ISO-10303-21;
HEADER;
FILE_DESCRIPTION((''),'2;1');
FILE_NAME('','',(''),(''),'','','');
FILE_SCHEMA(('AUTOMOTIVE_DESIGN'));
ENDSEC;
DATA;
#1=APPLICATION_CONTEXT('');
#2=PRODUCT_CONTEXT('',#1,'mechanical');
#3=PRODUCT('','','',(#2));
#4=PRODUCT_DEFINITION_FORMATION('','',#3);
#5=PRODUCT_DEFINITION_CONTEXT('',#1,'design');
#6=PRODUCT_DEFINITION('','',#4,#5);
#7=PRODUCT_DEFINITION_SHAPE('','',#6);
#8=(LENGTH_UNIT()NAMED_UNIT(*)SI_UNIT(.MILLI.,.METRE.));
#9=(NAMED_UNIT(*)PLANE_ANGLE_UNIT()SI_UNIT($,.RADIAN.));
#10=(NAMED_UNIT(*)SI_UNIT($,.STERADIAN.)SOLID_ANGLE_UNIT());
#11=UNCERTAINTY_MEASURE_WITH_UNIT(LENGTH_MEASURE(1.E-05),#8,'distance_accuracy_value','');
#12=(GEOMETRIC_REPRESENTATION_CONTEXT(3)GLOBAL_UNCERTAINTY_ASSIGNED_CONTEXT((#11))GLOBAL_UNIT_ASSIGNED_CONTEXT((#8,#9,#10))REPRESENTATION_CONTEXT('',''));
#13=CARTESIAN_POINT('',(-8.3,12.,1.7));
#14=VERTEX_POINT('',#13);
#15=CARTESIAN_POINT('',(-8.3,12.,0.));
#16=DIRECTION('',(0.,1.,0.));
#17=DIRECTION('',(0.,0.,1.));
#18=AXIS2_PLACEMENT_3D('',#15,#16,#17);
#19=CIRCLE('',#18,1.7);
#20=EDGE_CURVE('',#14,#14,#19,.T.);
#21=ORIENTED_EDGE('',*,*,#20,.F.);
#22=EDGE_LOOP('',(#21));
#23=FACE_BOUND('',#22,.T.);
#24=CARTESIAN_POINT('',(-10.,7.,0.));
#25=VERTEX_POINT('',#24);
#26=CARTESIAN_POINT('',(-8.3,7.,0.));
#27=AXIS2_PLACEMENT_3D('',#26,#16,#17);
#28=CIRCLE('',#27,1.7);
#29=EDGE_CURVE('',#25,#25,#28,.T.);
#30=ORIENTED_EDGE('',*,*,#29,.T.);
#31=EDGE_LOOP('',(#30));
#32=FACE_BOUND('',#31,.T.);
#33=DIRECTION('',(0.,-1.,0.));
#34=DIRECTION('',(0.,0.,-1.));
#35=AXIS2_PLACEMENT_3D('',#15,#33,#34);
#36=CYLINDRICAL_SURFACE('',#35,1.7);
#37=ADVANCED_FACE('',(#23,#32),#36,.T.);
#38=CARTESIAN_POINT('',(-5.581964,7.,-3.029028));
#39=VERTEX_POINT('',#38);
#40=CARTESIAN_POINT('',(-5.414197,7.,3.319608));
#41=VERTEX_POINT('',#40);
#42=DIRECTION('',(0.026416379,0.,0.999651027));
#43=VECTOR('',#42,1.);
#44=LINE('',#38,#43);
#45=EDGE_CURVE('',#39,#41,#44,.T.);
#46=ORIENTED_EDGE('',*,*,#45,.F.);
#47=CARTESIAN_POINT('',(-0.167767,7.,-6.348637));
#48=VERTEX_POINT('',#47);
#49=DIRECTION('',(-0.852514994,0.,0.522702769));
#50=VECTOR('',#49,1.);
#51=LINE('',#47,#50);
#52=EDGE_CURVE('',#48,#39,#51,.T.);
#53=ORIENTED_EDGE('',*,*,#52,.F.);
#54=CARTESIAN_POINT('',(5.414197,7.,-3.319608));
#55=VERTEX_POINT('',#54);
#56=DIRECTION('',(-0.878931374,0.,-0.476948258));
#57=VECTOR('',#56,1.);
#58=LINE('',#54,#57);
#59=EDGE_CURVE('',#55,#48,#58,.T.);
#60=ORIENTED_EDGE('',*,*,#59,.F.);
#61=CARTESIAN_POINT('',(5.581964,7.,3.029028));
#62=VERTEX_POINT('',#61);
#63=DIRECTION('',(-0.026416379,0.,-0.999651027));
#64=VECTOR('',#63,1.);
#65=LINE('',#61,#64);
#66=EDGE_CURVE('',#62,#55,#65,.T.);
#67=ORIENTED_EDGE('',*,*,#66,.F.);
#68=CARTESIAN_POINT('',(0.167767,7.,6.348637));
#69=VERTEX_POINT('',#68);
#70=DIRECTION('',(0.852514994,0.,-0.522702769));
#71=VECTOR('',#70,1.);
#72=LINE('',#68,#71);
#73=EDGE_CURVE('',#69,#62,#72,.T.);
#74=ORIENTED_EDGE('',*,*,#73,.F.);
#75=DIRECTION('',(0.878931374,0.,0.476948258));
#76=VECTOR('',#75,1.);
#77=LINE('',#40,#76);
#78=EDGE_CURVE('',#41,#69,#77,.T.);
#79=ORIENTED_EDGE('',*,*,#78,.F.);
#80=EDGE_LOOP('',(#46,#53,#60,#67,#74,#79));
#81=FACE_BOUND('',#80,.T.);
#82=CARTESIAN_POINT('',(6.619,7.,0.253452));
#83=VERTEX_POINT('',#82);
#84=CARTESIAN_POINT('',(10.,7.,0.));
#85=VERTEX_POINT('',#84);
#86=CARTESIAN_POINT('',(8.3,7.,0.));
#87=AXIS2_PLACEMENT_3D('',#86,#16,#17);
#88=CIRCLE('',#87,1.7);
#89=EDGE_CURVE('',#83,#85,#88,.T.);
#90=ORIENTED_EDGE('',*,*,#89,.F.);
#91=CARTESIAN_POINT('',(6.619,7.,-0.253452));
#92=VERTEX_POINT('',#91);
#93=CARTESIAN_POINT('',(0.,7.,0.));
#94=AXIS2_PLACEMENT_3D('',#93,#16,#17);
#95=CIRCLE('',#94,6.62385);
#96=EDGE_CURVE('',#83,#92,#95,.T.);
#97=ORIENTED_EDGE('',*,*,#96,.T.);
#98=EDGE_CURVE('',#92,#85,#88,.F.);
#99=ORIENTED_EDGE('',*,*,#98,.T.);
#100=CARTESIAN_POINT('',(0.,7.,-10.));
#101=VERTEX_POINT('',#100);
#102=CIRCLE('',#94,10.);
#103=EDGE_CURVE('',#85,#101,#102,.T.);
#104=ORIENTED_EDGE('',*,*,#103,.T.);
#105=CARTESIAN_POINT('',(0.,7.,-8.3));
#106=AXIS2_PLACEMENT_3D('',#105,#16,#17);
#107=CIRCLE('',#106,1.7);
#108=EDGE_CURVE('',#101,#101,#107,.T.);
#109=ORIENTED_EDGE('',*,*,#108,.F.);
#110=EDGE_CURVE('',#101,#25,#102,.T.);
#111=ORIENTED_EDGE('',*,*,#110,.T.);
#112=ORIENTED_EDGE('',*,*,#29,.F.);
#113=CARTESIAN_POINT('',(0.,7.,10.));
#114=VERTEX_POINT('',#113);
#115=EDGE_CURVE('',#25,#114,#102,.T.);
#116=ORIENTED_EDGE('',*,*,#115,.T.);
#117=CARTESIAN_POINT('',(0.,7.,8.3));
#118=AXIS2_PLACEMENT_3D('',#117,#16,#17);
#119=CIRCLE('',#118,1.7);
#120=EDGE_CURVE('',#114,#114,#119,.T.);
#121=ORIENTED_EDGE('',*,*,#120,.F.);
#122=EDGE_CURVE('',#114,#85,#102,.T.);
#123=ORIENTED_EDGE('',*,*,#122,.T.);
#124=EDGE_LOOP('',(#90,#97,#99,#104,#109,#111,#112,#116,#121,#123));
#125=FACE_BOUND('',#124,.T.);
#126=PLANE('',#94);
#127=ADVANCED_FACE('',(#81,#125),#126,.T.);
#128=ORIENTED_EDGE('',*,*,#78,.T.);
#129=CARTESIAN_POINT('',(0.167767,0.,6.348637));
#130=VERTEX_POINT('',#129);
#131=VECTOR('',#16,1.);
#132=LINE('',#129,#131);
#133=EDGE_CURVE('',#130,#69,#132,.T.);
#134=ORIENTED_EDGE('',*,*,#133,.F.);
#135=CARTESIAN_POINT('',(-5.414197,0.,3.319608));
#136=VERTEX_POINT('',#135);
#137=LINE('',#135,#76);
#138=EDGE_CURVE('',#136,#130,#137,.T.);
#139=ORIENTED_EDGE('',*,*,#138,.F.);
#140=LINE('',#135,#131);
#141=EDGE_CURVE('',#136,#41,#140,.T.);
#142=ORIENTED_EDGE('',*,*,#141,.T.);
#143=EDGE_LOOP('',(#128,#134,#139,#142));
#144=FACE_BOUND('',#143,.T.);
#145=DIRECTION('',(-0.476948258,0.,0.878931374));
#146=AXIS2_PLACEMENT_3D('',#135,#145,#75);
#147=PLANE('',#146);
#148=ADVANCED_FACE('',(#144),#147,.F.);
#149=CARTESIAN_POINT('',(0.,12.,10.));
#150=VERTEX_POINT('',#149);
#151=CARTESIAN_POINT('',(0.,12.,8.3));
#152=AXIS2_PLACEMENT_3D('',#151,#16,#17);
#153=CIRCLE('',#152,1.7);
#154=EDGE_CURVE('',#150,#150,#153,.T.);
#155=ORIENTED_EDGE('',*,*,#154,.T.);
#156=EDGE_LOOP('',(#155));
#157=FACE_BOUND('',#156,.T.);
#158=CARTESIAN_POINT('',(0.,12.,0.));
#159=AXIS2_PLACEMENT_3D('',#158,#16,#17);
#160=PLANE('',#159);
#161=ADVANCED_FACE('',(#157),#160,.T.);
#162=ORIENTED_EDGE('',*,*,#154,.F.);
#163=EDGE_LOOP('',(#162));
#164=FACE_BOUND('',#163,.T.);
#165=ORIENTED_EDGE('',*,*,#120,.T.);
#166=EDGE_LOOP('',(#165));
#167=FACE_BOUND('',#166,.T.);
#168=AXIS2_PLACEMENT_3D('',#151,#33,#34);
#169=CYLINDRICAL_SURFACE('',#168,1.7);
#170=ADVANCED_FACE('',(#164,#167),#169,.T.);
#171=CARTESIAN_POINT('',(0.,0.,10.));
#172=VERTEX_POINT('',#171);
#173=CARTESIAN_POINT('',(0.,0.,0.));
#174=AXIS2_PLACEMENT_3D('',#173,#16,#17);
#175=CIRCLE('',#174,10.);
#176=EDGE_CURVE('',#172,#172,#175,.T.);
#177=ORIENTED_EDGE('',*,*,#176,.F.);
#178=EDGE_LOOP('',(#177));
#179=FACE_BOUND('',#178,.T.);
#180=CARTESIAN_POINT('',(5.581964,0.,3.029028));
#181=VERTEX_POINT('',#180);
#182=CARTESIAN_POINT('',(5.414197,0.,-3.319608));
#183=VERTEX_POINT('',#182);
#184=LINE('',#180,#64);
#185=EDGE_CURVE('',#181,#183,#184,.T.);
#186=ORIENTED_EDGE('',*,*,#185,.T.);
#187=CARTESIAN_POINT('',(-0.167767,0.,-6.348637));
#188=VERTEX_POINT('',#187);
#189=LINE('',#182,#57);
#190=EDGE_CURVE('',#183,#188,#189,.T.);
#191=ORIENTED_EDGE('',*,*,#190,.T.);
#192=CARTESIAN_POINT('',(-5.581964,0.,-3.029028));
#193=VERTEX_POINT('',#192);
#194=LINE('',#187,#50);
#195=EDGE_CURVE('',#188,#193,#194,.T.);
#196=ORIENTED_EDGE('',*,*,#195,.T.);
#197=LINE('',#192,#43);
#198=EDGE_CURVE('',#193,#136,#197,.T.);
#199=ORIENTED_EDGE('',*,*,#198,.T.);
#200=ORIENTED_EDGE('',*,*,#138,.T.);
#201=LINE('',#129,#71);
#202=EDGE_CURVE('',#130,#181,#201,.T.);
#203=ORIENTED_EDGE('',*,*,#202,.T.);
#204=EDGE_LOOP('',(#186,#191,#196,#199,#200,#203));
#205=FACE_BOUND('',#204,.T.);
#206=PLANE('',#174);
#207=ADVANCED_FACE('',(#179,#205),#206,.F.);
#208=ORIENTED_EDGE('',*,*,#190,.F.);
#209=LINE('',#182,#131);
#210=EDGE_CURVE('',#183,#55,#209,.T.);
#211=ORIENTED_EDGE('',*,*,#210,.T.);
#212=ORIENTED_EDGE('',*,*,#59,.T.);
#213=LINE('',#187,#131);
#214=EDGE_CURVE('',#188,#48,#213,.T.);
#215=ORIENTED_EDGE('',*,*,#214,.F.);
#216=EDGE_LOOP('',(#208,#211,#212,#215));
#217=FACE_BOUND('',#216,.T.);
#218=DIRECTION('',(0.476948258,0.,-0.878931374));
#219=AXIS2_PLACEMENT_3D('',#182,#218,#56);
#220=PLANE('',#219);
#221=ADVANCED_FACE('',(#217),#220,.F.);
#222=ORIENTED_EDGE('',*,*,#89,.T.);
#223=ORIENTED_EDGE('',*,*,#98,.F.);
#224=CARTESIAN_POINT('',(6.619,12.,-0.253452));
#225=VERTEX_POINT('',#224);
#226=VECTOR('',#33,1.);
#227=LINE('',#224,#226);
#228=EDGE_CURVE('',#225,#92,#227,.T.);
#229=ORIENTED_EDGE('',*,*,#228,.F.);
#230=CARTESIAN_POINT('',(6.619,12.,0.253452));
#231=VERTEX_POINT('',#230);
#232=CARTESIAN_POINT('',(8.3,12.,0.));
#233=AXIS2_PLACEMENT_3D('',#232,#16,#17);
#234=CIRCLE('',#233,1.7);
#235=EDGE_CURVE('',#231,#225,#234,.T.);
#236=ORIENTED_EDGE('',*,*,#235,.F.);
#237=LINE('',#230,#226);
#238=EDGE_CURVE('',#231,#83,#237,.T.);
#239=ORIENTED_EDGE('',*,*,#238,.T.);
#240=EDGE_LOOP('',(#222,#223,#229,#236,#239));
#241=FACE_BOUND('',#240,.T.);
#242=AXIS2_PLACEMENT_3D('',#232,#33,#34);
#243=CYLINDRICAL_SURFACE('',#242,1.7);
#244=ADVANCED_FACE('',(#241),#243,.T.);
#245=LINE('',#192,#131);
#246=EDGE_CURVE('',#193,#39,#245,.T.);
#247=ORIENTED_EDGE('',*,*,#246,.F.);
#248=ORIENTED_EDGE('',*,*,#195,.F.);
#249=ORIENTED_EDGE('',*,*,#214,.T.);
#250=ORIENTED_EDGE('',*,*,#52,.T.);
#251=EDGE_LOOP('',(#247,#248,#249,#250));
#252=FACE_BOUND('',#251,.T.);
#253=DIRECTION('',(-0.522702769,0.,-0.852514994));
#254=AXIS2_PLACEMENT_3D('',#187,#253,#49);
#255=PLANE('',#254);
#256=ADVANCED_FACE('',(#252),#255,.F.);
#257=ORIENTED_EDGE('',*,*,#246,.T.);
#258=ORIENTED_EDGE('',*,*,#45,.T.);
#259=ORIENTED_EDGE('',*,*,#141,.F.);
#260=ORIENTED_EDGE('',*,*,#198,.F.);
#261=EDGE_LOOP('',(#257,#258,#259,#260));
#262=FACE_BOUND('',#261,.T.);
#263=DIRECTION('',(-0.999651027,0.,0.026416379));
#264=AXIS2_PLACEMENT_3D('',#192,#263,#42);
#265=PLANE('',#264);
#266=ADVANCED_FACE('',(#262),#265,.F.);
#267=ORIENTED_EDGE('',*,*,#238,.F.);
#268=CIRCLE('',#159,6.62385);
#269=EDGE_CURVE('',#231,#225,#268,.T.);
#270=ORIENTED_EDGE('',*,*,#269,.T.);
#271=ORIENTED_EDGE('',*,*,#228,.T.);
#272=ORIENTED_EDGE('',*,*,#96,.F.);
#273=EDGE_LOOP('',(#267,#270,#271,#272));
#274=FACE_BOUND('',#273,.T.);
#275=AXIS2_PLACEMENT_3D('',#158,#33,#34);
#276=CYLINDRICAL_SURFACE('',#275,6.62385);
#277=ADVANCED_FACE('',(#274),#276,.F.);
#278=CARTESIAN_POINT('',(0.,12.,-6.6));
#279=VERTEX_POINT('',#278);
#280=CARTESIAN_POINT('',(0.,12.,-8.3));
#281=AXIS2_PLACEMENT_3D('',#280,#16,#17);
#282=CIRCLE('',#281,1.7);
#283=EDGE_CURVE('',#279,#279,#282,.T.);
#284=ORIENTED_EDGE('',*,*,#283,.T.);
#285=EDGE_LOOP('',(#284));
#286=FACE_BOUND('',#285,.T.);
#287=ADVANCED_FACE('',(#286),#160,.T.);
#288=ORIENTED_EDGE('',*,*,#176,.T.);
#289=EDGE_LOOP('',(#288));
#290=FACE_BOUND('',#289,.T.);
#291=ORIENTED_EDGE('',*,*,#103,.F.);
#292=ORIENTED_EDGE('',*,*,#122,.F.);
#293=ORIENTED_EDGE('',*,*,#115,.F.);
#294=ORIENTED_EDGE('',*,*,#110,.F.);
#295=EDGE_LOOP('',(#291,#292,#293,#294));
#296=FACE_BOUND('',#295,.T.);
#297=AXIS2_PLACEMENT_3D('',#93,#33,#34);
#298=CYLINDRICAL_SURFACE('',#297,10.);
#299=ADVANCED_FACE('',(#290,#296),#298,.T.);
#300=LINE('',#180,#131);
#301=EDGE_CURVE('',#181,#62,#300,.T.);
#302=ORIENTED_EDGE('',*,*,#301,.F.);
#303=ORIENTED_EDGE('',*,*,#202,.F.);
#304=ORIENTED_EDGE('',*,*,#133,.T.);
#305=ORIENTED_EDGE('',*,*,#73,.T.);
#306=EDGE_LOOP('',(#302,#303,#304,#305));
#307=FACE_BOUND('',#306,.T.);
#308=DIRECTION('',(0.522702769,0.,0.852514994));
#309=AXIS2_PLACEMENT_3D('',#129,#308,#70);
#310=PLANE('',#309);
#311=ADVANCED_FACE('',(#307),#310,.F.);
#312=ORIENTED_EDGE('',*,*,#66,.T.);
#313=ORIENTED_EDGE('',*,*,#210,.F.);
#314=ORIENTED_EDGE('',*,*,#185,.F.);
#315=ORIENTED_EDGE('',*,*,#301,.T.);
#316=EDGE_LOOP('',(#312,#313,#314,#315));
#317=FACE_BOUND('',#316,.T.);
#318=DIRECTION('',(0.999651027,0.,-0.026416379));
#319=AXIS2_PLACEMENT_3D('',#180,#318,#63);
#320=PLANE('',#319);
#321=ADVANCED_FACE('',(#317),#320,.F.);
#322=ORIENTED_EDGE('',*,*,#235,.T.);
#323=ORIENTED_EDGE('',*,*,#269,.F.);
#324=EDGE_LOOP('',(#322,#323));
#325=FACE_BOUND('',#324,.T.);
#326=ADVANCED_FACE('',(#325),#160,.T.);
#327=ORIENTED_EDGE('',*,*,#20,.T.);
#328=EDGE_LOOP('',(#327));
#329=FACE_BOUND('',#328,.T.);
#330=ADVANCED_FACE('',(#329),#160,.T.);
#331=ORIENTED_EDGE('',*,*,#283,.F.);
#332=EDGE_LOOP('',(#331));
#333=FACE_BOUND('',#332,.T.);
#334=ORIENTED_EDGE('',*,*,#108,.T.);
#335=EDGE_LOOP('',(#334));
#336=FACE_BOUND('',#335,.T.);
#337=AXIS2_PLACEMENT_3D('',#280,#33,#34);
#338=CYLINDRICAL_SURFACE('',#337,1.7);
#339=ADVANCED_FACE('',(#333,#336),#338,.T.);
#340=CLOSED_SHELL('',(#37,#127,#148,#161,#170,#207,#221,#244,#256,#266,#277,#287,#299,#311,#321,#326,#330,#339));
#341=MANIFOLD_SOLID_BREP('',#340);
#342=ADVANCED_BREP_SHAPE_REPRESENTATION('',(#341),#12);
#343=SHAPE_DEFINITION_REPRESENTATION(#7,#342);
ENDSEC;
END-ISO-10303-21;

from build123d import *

# Parameters (mm, degrees)
SKETCH_1_R          = 10
EXTRUDE_1_DEPTH     = 7
SKETCH_2_R          = 1.7
EXTRUDE_2_DEPTH     = 5
CUT_EXTRUDE_1_DEPTH = 7


with BuildPart() as part:
    # 草图1 → 凸台-拉伸1 (new body)
    with BuildSketch(Plane(origin=(0, 0, 0), x_dir=(1, 0, 0), z_dir=(0, 1, 0))):
        with Locations(Location((0, 0, 0), (0, 0, 270))):
            Circle(SKETCH_1_R)
    extrude(amount=EXTRUDE_1_DEPTH)

    # 草图2 → 凸台-拉伸2 (add)
    with BuildSketch(Plane(origin=(0, 7, 0), x_dir=(1, 0, 0), z_dir=(0, 1, 0))):
        with BuildLine():
            ThreePointArc((6.618999669, 0.253451944), (6.623850429, 0), (6.618999669, -0.253451944))
            ThreePointArc((6.618999669, -0.253451944), (10, 0), (6.618999669, 0.253451944))
        make_face()
        with Locations(Location((0, 8.3, 0), (0, 0, 89.999317856))):
            Circle(SKETCH_2_R)
        with Locations(Location((0, -8.3, 0), (0, 0, 269.999317859))):
            Circle(SKETCH_2_R)
        with Locations(Location((-8.3, 0, 0), (0, 0, 179.999317857))):
            Circle(SKETCH_2_R)
    extrude(amount=EXTRUDE_2_DEPTH)

    # 草图3 → 切除-拉伸1 (cut)
    with BuildSketch(Plane(origin=(0, 7, 0), x_dir=(1, 0, 0), z_dir=(0, 1, 0))):
        Polygon((-5.581963916, 3.029028256), (-5.414197376, -3.319608426), (0.16776654, -6.348636682), (5.581963916, -3.029028256), (5.414197376, 3.319608426), (-0.16776654, 6.348636682), align=None)
    extrude(amount=-CUT_EXTRUDE_1_DEPTH, mode=Mode.SUBTRACT)


solid = part.part
